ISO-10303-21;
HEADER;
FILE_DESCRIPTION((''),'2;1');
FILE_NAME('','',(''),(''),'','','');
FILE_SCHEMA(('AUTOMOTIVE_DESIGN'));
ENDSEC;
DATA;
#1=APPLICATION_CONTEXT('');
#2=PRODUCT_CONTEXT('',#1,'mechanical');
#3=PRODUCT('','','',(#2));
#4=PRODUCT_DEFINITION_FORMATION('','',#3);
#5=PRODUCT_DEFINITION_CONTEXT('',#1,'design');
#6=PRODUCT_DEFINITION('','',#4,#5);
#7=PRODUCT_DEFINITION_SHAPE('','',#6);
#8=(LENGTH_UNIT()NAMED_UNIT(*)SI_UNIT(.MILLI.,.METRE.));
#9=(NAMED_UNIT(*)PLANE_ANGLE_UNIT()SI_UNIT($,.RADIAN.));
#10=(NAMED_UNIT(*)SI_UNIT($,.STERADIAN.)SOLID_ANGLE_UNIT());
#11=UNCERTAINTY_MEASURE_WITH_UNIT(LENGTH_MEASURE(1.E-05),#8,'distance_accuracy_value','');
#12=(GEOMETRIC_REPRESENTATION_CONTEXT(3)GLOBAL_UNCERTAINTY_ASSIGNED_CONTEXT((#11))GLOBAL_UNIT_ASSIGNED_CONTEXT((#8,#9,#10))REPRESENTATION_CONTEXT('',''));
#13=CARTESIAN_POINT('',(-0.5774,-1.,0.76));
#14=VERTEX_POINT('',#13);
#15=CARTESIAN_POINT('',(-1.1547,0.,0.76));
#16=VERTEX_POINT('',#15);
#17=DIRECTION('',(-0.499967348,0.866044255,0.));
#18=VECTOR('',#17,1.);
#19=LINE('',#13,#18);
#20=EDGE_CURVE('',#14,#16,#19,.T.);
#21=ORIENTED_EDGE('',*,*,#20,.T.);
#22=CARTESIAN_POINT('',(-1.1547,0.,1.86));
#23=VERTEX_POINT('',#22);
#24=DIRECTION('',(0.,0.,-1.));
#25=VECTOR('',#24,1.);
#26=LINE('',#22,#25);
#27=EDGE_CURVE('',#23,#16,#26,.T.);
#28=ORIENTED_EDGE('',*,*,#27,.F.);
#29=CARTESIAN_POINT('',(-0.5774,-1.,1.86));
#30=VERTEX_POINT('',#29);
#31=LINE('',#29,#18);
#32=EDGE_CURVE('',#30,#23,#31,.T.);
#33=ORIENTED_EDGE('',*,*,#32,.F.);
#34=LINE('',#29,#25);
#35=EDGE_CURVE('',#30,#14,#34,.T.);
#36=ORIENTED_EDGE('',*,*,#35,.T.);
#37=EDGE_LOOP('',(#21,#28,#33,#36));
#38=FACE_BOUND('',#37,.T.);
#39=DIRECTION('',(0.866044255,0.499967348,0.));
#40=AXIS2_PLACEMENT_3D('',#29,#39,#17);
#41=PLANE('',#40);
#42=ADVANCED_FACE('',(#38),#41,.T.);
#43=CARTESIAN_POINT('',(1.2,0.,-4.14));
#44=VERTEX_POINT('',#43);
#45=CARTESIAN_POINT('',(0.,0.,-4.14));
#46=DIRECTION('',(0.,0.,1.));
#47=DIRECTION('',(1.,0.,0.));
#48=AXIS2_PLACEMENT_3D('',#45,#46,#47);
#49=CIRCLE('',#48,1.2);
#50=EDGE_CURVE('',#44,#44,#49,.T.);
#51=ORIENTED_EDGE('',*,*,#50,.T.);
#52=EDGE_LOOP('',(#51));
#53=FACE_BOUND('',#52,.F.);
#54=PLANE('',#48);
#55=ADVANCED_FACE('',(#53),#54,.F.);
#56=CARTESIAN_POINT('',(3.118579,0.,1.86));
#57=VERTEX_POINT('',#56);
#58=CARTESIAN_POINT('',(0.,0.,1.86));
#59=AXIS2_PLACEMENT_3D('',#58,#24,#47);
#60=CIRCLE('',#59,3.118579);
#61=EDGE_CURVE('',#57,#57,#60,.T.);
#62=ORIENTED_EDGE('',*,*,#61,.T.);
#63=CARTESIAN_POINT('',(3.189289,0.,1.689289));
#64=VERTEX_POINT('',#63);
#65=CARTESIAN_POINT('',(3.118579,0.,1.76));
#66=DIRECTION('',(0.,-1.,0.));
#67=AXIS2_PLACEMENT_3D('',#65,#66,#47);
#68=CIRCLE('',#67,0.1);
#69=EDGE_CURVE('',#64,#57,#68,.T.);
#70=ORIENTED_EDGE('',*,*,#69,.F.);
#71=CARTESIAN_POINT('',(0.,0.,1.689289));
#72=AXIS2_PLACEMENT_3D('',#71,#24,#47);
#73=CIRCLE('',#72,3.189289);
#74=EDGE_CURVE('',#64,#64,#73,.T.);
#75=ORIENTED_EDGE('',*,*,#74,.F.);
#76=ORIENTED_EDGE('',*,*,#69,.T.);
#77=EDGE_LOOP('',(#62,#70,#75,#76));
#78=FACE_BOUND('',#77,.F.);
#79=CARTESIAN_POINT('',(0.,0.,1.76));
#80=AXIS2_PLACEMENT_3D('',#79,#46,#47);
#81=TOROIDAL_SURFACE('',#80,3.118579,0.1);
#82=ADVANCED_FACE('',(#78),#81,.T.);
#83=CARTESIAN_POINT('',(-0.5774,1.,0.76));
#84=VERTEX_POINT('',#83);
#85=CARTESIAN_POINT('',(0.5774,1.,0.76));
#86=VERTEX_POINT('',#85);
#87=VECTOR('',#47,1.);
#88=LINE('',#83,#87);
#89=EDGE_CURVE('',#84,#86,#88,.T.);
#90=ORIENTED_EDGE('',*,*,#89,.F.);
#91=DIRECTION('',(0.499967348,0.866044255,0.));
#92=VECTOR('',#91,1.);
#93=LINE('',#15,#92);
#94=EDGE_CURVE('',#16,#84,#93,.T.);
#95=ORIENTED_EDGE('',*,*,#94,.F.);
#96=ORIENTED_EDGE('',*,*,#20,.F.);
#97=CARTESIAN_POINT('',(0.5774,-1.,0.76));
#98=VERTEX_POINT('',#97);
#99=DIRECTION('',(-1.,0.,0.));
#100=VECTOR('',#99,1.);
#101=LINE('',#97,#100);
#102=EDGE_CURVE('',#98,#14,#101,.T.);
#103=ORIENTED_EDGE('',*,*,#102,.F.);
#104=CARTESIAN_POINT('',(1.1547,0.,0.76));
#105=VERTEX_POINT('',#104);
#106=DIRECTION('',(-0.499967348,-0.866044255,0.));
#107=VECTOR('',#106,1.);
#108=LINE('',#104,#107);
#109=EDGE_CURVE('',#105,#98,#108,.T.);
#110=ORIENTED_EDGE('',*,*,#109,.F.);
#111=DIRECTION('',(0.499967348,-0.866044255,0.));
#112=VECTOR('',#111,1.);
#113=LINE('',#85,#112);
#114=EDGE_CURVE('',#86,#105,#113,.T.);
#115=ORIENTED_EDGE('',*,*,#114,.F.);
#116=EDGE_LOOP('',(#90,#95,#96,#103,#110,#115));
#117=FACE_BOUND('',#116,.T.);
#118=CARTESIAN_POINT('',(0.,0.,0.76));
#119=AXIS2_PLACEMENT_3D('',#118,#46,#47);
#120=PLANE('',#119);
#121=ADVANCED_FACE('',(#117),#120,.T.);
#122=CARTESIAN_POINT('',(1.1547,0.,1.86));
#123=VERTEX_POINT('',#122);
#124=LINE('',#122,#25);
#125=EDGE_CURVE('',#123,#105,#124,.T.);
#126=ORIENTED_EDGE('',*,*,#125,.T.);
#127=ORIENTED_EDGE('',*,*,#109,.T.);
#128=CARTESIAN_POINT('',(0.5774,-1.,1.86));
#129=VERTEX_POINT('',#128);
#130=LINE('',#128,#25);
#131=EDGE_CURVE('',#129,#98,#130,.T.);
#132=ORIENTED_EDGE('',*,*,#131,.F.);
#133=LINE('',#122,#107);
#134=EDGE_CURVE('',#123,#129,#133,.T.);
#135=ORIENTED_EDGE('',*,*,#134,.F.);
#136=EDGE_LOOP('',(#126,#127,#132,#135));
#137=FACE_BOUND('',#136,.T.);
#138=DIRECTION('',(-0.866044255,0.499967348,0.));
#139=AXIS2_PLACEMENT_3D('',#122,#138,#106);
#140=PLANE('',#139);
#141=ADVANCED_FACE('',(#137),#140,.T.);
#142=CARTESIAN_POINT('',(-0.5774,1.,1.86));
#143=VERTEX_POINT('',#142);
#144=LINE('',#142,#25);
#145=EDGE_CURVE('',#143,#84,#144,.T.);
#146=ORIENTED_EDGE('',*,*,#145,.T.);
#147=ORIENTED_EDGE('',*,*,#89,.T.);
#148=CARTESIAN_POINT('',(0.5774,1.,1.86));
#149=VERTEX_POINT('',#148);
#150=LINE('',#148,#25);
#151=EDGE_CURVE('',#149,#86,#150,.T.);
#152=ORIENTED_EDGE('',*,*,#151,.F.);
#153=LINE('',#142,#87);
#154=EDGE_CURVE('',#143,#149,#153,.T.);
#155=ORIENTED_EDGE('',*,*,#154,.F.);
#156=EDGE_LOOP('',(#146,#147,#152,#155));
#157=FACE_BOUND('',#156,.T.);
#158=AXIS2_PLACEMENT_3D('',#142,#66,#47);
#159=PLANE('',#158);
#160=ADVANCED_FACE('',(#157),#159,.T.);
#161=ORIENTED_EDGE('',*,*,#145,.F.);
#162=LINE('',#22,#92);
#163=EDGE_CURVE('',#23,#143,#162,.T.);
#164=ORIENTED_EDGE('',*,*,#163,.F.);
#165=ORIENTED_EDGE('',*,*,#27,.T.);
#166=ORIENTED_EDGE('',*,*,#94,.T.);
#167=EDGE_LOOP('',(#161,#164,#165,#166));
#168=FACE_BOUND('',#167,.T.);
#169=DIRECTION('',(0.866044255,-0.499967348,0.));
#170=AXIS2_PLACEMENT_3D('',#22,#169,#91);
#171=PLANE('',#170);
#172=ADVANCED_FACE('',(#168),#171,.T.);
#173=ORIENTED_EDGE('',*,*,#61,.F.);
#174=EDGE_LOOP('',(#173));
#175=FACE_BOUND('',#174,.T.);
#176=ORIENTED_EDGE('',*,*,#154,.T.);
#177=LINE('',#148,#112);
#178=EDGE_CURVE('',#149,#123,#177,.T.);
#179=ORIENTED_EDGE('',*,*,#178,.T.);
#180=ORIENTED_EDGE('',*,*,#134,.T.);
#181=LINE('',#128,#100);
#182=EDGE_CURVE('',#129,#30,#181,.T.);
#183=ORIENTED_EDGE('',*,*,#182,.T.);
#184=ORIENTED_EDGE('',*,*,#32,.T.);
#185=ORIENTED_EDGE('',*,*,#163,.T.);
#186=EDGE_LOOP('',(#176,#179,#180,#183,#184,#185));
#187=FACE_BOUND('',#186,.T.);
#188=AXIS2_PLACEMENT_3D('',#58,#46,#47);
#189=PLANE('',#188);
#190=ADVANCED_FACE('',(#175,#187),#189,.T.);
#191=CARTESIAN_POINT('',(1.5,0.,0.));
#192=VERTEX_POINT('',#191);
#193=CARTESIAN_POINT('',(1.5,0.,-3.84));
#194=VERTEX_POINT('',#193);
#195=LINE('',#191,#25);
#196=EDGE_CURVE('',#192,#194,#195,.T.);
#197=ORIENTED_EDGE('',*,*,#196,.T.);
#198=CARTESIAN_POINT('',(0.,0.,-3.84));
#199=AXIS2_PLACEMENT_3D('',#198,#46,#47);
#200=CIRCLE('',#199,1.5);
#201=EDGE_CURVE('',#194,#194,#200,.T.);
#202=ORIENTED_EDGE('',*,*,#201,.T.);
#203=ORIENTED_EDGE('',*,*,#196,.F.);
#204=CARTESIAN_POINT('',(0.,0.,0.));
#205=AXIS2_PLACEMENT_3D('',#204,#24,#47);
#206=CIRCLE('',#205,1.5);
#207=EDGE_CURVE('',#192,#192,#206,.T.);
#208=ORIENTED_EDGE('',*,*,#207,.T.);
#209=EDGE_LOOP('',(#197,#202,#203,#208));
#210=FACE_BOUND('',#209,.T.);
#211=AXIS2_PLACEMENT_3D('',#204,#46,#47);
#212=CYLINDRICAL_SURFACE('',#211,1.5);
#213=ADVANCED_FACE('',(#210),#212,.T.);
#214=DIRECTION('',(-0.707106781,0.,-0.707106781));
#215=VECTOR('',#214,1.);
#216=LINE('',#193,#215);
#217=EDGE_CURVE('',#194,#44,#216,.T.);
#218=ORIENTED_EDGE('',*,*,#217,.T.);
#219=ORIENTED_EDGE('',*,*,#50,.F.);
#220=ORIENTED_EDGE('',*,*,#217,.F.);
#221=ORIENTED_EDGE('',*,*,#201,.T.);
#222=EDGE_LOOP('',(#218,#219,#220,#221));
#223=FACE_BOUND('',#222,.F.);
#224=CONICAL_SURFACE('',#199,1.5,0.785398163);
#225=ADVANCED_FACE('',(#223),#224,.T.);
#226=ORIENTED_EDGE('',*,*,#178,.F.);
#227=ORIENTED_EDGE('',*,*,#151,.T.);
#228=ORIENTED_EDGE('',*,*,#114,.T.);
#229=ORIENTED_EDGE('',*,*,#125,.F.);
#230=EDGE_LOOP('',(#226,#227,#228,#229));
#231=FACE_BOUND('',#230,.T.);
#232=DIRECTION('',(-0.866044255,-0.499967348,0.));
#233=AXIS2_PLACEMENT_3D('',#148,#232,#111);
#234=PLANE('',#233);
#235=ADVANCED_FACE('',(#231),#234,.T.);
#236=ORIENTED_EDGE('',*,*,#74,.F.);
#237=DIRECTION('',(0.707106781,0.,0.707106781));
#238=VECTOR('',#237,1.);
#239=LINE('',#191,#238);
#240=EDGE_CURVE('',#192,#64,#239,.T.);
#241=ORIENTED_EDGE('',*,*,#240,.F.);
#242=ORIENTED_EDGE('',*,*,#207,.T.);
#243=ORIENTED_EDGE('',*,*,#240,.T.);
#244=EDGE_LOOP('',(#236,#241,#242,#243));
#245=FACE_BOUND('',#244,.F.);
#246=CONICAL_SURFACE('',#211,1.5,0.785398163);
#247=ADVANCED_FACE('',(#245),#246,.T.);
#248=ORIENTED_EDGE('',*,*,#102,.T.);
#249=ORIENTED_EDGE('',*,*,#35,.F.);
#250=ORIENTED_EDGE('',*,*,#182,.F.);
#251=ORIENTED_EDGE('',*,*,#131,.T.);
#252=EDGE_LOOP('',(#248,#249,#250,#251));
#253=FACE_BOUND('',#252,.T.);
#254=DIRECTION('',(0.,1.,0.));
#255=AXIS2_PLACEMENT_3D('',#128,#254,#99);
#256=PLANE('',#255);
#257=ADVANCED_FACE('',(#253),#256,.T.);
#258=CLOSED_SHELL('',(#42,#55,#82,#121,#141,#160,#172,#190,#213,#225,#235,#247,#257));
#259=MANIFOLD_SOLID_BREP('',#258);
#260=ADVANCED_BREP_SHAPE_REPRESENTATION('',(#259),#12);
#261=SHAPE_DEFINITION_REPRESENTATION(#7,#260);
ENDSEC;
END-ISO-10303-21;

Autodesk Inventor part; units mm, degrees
ref_plane "YZ Plane" through (0, 0, 0) normal (1, 0, 0) x (0, 1, 0)
ref_plane "XZ Plane" through (0, 0, 0) normal (0, 1, 0) x (-1, 0, 0)
ref_plane "XY Plane" through (0, 0, 0) normal (0, 0, 1) x (1, 0, 0)
sketch "Sketch2" plane through (0, 0, 0) normal (0, 0, 1) x (1, 0, 0)
  circle A0 centre (0, 0) radius 1.5
  dimension "Diameter" = 3
extrude "Extrusion1" add sketch "Sketch2" against normal blind 4.14
sketch "Sketch3" plane through (0, 0, 0) normal (0, 0, 1) x (1, 0, 0)
  circle A0 centre (0, 0) radius 1.5 projected
extrude "Extrusion2" add sketch "Sketch3" along normal blind 1.86 draft 45
sketch "Sketch4" plane through (0, 0, 1.86) normal (0, 0, 1) x (1, 0, 0)
  circle A0 centre (0, 0) radius 3.36 projected
  line L0 (0.5774, 1) -> (1.1547, 0)
  line L1 (1.1547, 0) -> (0.5774, -1)
  line L2 (0.5774, -1) -> (-0.5774, -1)
  line L3 (-0.5774, -1) -> (-1.1547, 0)
  line L4 (-1.1547, 0) -> (-0.5774, 1)
  line L5 (-0.5774, 1) -> (0.5774, 1)
  line L6 (0, 0) -> (1.1547, 0) construction
  dimension "Hex_Width" = 2
extrude "Extrusion3" cut sketch "Sketch4" against normal blind 1.1 contours L0 L1 L2 L3 L4 L5
thread "Thread1" size "M3x0.5" class "6g" standard "ANSI Metric M Profile-Short lst" length 4.14
chamfer "Chamfer1" distance 0.3 angle 45 1 edges at (-1.5, 0, -4.14)
fillet "Fillet1" radius 0.1 1 edges at (-3.36, 0, 1.86)
equation "\"Length1\" = Length - Head_Height"
equation "\"Thread_Length\" = Length1"
equation "\"Length\" = 6"
equation "\"Head_Height\" = 1.86"
properties part number "SCREW,FLAT-HD,SS,18-8,M03X0_50X006MM" material "Steel, 1018, CRS"
